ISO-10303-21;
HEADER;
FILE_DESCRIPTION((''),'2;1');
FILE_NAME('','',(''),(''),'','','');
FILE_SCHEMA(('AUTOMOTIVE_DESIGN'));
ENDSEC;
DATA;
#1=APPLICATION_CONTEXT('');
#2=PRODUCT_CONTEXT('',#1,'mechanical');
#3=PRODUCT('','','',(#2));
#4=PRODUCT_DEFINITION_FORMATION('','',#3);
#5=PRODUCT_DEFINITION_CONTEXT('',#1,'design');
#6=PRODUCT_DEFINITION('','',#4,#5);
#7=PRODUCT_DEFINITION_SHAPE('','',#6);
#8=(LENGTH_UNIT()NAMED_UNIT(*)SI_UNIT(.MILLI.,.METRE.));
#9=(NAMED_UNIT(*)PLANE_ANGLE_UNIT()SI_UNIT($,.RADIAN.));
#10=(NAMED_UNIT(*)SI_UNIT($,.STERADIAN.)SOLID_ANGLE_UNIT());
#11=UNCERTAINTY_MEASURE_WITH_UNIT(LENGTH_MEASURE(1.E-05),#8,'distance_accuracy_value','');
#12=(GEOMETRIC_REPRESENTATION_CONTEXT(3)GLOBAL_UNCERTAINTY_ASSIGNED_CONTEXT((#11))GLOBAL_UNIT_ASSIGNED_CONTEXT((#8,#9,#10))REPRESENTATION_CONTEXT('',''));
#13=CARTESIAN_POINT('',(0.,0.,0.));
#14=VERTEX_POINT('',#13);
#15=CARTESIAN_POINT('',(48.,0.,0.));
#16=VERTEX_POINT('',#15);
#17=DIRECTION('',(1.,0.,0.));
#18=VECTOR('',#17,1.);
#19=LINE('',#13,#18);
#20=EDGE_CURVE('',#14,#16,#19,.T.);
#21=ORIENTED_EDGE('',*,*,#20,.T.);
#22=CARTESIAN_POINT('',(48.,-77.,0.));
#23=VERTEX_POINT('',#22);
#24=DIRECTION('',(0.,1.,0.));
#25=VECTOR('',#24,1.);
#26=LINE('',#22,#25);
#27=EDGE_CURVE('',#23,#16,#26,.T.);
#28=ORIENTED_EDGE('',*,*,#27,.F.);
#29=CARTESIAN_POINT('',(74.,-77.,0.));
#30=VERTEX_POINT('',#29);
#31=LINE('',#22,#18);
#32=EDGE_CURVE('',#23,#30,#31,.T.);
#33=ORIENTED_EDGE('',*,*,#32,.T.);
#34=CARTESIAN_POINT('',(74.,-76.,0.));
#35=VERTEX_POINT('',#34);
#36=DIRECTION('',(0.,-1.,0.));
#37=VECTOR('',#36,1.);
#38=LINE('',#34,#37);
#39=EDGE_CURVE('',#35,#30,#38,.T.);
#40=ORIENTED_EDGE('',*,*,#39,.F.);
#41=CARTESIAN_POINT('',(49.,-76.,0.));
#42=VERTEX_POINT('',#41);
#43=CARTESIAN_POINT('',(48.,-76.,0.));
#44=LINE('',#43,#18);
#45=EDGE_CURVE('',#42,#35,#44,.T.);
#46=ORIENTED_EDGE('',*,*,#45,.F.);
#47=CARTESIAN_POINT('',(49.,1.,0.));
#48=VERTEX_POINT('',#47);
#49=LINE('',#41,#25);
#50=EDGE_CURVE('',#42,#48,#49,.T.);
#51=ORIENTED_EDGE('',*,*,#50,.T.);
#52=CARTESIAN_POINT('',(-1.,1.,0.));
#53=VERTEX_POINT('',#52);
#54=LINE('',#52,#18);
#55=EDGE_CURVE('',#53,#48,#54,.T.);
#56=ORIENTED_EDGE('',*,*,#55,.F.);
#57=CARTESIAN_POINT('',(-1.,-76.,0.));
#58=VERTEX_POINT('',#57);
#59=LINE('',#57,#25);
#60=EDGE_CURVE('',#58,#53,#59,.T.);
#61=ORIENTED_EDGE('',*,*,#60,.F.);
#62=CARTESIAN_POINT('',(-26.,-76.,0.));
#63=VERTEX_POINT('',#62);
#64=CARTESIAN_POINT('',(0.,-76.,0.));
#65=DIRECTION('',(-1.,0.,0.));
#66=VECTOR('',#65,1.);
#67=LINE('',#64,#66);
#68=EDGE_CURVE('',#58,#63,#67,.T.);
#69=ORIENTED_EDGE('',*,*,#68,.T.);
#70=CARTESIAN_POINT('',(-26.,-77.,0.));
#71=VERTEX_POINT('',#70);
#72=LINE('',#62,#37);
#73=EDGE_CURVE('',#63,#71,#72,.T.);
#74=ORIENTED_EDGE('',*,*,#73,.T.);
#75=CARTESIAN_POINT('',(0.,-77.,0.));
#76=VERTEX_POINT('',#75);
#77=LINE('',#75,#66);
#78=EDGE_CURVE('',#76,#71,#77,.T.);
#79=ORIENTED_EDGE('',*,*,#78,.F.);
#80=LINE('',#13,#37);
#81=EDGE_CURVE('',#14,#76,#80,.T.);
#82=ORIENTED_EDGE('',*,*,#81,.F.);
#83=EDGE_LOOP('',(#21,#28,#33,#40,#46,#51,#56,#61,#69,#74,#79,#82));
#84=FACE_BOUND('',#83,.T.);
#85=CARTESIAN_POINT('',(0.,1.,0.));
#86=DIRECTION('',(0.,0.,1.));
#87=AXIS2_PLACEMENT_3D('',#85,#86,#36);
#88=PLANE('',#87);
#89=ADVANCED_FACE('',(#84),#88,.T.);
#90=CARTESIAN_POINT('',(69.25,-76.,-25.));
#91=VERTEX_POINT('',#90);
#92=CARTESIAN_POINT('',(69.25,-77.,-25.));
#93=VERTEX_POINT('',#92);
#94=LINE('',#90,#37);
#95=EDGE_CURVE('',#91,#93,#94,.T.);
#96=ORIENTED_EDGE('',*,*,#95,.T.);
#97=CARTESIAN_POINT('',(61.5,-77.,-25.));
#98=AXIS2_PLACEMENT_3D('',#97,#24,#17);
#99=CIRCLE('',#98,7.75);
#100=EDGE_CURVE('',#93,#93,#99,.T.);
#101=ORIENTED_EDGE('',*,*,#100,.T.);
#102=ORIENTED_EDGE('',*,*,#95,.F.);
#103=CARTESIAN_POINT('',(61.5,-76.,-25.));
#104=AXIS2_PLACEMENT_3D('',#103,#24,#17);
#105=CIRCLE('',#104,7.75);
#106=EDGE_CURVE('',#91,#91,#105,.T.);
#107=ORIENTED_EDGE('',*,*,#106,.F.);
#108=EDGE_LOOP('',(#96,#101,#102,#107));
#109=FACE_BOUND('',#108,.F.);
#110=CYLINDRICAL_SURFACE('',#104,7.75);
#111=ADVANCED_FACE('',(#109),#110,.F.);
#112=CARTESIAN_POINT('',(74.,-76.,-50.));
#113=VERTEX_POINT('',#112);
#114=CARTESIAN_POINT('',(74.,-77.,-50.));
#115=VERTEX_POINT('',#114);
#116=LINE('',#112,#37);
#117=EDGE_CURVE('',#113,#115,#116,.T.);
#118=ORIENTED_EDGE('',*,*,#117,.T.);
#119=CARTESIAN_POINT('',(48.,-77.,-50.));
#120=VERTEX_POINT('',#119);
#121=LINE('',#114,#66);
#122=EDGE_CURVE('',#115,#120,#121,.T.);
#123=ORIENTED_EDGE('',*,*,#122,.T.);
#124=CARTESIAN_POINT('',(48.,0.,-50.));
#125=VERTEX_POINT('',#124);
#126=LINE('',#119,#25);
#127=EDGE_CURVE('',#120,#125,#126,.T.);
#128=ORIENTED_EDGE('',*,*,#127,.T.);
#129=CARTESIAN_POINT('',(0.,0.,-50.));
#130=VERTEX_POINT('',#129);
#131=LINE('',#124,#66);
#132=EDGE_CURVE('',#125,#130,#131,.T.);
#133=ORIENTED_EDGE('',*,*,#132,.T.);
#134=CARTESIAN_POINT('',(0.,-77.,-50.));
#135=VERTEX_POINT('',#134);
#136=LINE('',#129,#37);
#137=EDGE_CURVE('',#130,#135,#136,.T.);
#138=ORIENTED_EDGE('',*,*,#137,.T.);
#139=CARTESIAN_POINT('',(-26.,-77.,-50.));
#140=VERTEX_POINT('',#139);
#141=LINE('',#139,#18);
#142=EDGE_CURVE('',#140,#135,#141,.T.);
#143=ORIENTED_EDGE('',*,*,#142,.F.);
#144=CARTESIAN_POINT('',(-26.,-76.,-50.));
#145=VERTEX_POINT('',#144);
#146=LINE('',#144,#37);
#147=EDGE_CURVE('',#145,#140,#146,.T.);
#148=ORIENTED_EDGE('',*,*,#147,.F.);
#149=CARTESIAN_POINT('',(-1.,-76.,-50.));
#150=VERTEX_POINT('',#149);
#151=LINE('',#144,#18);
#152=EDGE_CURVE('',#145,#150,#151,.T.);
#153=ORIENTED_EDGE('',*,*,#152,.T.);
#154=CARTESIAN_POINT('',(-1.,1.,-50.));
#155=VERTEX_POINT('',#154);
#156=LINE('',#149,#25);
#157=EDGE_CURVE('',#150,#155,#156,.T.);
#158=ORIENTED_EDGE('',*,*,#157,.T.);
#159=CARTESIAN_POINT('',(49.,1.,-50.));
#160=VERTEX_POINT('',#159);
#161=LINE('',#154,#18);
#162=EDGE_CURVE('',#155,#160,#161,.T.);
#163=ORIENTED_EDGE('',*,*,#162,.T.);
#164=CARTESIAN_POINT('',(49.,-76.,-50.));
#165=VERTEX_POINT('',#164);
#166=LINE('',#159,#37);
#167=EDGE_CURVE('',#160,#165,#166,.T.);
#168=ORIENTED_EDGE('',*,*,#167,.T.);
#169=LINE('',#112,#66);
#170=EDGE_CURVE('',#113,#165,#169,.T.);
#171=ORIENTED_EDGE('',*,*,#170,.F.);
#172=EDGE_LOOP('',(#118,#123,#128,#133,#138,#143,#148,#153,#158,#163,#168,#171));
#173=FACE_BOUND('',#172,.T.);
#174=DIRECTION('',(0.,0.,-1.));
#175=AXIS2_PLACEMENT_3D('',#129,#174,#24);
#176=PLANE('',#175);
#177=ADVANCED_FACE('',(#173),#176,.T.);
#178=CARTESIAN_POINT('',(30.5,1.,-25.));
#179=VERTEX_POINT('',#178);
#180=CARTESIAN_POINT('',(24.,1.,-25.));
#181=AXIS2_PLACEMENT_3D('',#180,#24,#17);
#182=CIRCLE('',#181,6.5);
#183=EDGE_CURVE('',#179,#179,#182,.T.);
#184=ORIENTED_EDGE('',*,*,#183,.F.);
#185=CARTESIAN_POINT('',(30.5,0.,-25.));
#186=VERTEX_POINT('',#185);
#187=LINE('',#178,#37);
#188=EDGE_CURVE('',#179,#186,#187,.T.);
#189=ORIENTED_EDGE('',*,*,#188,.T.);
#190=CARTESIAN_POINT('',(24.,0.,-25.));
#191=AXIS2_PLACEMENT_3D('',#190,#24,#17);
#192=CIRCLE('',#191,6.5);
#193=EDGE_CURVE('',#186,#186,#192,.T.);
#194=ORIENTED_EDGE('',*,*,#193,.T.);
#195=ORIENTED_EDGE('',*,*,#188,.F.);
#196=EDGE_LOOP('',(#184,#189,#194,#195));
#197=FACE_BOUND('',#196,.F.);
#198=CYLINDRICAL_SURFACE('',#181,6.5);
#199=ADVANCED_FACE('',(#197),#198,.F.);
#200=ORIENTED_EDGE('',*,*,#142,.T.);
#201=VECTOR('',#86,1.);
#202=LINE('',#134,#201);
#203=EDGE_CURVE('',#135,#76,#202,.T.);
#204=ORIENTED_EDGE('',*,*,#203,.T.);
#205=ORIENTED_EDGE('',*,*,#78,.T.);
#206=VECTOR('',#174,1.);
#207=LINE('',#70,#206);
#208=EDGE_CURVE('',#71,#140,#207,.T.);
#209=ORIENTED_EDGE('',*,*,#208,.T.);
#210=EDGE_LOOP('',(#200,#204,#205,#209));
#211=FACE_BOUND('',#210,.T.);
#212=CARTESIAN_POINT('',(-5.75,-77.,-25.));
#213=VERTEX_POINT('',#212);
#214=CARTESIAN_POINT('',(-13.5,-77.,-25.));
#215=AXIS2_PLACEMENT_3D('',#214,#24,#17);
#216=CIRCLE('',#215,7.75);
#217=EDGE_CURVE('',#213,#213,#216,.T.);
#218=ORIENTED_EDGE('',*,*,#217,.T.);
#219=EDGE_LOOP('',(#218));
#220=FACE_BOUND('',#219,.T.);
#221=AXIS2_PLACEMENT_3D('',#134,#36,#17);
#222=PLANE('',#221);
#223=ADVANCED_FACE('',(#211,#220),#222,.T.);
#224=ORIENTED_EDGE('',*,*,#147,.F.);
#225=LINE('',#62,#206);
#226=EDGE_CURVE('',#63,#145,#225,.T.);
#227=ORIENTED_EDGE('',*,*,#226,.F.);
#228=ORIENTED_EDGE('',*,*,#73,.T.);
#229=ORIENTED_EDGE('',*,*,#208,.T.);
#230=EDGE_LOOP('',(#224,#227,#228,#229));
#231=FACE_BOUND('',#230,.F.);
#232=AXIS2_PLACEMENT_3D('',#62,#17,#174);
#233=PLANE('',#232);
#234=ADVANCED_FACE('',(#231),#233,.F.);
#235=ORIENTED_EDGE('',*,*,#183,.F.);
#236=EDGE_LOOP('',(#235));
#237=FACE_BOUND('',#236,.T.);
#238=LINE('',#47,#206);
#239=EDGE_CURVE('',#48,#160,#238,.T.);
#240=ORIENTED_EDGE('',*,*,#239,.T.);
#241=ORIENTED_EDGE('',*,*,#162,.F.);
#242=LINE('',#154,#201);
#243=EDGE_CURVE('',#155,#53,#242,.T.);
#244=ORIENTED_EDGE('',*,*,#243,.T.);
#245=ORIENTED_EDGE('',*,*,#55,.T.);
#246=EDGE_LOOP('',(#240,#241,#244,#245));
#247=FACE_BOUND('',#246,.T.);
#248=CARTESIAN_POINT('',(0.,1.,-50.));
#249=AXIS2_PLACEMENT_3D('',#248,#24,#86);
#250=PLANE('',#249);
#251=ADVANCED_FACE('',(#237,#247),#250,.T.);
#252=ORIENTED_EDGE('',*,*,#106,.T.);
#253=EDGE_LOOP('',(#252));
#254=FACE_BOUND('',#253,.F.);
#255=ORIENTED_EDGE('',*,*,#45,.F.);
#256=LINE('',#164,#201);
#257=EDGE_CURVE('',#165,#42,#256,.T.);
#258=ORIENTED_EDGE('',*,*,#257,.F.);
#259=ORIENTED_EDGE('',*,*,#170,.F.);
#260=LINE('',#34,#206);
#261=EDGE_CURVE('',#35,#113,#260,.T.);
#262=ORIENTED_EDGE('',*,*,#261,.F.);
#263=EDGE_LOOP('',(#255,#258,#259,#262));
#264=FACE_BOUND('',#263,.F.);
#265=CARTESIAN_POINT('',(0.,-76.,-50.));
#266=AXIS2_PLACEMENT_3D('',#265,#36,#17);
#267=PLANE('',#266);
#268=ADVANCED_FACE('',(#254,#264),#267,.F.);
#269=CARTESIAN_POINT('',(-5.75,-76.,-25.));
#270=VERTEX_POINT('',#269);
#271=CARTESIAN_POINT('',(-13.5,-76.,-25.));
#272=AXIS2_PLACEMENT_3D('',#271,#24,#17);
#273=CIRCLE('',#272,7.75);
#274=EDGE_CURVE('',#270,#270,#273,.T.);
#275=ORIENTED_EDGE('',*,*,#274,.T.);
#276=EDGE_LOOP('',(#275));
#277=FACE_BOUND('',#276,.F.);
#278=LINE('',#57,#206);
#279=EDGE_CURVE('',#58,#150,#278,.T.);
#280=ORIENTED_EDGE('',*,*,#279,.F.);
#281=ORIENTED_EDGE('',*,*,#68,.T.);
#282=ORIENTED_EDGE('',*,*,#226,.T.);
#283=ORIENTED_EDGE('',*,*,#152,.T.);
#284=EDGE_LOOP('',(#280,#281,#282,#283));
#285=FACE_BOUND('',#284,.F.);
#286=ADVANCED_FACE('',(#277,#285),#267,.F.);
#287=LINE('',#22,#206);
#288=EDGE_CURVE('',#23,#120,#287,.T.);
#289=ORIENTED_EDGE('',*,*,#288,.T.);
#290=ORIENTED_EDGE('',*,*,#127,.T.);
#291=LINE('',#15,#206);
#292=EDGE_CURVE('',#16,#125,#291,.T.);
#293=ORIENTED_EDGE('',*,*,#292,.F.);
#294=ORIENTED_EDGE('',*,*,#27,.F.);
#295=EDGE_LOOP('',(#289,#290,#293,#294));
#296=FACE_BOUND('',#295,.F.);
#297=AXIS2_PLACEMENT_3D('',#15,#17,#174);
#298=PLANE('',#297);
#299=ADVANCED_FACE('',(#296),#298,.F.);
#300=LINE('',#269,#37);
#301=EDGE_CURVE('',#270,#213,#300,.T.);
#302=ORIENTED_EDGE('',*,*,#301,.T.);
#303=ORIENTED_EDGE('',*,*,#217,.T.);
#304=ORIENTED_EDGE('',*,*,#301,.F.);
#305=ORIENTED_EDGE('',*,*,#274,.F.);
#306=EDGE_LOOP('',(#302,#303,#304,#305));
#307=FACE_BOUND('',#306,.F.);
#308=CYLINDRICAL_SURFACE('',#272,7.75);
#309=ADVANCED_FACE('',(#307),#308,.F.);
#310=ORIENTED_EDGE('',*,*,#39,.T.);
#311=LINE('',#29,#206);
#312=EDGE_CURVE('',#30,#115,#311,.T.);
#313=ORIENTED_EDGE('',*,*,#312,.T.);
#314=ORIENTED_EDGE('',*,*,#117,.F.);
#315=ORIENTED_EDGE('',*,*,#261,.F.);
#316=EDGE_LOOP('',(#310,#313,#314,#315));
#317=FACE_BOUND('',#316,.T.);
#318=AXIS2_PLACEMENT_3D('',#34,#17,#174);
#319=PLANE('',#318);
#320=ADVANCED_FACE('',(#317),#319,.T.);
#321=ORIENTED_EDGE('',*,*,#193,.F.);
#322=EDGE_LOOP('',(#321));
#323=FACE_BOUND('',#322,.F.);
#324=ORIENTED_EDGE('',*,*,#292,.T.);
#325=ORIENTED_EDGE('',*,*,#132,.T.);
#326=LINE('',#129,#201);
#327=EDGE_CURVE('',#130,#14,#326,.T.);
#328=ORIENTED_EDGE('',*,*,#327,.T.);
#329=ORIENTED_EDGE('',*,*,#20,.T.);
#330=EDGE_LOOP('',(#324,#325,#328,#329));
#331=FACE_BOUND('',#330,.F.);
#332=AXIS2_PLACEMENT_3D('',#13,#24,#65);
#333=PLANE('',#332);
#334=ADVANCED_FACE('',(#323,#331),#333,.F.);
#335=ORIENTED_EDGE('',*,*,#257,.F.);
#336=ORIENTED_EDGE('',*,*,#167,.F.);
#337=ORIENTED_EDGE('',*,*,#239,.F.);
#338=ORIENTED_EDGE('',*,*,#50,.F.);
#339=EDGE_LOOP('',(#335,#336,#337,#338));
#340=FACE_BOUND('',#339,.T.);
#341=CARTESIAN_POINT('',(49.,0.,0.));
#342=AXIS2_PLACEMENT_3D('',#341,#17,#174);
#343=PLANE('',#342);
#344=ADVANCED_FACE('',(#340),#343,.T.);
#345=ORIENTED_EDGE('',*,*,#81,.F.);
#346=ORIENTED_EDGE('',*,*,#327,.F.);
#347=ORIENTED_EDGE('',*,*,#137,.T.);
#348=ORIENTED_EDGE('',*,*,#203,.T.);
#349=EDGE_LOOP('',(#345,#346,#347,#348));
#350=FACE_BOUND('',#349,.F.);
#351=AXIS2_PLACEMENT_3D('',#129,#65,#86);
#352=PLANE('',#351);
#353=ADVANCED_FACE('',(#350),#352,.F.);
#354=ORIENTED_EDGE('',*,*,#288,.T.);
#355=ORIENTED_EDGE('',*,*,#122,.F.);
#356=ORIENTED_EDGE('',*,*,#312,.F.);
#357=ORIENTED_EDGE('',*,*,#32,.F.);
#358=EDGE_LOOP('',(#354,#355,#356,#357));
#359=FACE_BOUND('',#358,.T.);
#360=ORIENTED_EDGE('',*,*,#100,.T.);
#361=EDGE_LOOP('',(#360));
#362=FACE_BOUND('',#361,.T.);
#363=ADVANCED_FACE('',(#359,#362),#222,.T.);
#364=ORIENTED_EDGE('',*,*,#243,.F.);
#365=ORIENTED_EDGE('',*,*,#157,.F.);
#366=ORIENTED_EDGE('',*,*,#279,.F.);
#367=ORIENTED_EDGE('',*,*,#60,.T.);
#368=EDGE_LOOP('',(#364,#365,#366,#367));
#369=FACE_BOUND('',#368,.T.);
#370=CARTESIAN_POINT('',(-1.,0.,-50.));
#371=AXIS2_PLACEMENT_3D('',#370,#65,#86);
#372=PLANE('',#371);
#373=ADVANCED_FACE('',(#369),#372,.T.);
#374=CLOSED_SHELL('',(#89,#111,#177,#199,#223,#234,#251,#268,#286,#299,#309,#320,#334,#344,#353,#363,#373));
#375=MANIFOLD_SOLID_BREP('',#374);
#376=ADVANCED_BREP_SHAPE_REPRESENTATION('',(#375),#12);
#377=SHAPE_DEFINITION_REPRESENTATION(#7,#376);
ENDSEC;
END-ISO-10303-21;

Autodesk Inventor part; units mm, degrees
ref_plane "YZ Plane" through (0, 0, 0) normal (1, 0, 0) x (0, 1, 0)
ref_plane "XZ Plane" through (0, 0, 0) normal (0, 1, 0) x (-1, 0, 0)
ref_plane "XY Plane" through (0, 0, 0) normal (0, 0, 1) x (1, 0, 0)
sketch "Sketch1" plane through (0, 0, 0) normal (0, 1, 0) x (-1, 0, 0)
  line L0 (0, 0) -> (-48, 0)
  line L1 (-48, 0) -> (-48, -50)
  line L2 (-48, -50) -> (0, -50)
  line L3 (0, -50) -> (0, 0)
  dimension "d0" = 48
  dimension "d1" = 50
extrude "Extrusion1" add sketch "Sketch1" along normal blind 1
sketch "Sketch2" plane through (48, 0, 0) normal (1, 0, 0) x (0, 0, -1)
  line L0 (0, 1) -> (50, 1) projected
  line L1 (0, 1) -> (50, 1)
  line L2 (50, 1) -> (50, -76)
  line L3 (50, -76) -> (0, -76)
  line L4 (0, -76) -> (0, 1)
  point P0 (0, 0)
  dimension "d4" = 50
  dimension "d5" = 77
extrude "Extrusion2" add sketch "Sketch2" along normal blind 1
sketch "Sketch3" plane through (0, 0, -50) normal (-1, 0, 0) x (0, 0, 1)
  line L0 (0, 0) -> (0, 1) projected
  line L1 (50, 0) -> (50, -76) projected
  line L2 (0, 1) -> (50, 1)
  line L3 (50, 1) -> (50, -76)
  line L4 (50, -76) -> (0, -76)
  line L5 (0, -76) -> (0, 1)
extrude "Extrusion3" add sketch "Sketch3" along normal blind 1
sketch "Sketch4" plane through (0, 1, 0) normal (0, 1, 0) x (1, 0, 0)
  point P0 (0, 0)
sketch "Sketch5" plane through (0, -76, -50) normal (0, -1, 0) x (1, 0, 0)
  line L0 (0, 50) -> (-26, 50)
  line L1 (-26, 50) -> (-26, 0)
  line L2 (-26, 0) -> (0, 0)
  line L3 (0, 0) -> (0, 50)
  line L4 (48, 50) -> (48, 0) projected
  line L5 (48, 50) -> (74, 50)
  line L6 (74, 50) -> (74, 0)
  line L7 (74, 0) -> (48, 0)
  line L8 (48, 0) -> (48, 50)
  dimension "d10" = 26
  dimension "d11" = 26
extrude "Extrusion4" add sketch "Sketch5" along normal blind 1
sketch "Sketch6" plane through (0, 1, 0) normal (0, 1, 0) x (1, 0, 0)
  circle A0 centre (24, 25) radius 6.5
  line L0 (-1, 50) -> (49, 50) projected
  line L1 (49, 50) -> (49, 0) projected
  line L2 (49, 50) -> (74, 50) projected
  line L3 (74, 50) -> (74, 0) projected
  line L4 (-26, 50) -> (-1, 50) projected
  line L5 (-26, 0) -> (-26, 50) projected
  point P0 (0, 0)
  dimension "d14" = 13
  dimension "d17" = 25
  dimension "d18" = 25
extrude "Extrusion5" cut sketch "Sketch6" against normal blind 1
sketch "Sketch7" plane through (0, -76, -50) normal (0, 1, 0) x (1, 0, 0)
  circle A0 centre (61.5, -25) radius 7.75
  circle A1 centre (-13.5, -25) radius 7.75
  line L0 (-26, 0) -> (-1, 0) projected
  line L1 (-26, -50) -> (-26, 0) projected
  line L2 (74, 0) -> (74, -50) projected
  line L3 (49, 0) -> (74, 0) projected
  point P0 (0, -50)
  dimension "d25" = 15.5
  dimension "d26" = 15.5
  dimension "d27" = 25
  dimension "d28" = 12.5
  dimension "d29" = 12.5
  dimension "d30" = 25
extrude "Extrusion6" cut sketch "Sketch7" against normal blind 15.5
equation "\"d31\" = d25"
properties part number "cla3" material "Iron, Cast"
